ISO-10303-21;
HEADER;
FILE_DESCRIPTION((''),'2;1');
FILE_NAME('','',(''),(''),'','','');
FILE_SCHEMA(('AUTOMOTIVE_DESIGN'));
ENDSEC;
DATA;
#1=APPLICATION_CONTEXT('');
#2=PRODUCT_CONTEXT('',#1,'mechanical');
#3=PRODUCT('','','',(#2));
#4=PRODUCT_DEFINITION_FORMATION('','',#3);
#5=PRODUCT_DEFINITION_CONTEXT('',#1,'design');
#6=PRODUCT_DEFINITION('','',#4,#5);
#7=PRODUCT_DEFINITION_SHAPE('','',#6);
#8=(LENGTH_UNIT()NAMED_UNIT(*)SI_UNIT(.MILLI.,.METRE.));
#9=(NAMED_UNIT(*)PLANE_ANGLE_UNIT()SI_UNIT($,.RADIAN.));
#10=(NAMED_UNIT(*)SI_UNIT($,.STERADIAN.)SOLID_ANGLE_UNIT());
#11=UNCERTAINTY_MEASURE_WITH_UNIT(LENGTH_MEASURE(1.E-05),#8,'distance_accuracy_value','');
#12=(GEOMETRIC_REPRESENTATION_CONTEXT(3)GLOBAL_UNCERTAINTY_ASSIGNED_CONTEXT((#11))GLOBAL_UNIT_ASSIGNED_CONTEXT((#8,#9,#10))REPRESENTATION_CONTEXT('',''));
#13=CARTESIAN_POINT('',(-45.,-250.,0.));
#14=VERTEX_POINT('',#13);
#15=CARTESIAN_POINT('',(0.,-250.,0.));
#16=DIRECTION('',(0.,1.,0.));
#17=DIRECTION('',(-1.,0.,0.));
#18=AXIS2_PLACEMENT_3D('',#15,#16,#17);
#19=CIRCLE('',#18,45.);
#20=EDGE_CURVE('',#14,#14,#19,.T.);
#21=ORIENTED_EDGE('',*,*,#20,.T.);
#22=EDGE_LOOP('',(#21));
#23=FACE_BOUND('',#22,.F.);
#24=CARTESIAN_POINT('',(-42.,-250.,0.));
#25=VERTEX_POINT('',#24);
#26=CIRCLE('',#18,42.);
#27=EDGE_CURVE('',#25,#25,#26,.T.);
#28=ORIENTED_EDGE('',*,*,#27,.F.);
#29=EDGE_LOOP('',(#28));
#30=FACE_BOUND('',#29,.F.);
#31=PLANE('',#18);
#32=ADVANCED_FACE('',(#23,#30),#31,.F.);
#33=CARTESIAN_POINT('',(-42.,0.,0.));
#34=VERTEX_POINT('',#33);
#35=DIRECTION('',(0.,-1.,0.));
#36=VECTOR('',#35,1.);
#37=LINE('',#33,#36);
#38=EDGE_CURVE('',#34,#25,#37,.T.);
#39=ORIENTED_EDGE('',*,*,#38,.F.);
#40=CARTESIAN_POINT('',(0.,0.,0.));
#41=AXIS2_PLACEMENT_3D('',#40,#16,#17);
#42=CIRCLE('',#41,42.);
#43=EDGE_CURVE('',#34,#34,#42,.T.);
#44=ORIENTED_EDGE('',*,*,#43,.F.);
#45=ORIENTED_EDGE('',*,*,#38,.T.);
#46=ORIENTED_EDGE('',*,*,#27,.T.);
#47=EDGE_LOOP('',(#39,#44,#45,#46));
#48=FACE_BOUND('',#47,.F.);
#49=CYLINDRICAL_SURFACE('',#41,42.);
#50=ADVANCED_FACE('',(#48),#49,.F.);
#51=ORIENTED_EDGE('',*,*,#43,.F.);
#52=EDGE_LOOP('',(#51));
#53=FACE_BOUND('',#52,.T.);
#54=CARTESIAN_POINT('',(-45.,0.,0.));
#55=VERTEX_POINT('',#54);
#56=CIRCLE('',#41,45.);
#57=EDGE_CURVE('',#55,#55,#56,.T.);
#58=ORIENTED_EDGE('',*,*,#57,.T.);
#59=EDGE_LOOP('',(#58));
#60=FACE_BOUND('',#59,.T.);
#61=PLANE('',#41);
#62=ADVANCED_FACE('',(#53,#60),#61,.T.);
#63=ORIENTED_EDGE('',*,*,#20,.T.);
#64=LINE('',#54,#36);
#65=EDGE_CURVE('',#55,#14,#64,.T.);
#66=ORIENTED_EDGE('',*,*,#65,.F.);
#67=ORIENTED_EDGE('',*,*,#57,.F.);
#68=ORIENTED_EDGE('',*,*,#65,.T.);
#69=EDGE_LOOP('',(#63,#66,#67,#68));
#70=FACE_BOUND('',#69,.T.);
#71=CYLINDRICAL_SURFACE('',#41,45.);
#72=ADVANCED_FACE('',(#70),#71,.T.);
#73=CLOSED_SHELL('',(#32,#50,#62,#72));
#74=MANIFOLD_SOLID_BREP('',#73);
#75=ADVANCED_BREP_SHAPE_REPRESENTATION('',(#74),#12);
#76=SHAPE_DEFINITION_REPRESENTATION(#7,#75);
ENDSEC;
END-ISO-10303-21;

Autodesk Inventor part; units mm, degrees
ref_plane "YZ Plane" through (0, 0, 0) normal (1, 0, 0) x (0, 1, 0)
ref_plane "XZ Plane" through (0, 0, 0) normal (0, 1, 0) x (-1, 0, 0)
ref_plane "XY Plane" through (0, 0, 0) normal (0, 0, 1) x (1, 0, 0)
sketch "Sketch1" plane through (0, 0, 0) normal (0, 1, 0) x (-1, 0, 0)
  circle A0 centre (0, 0) radius 45
  circle A1 centre (0, 0) radius 42
  dimension "d0" = 90
  dimension "d1" = 3
extrude "Extrusion1" add sketch "Sketch1" against normal blind 250
properties part number "PNS 1613 FDS tube 3_1200"
